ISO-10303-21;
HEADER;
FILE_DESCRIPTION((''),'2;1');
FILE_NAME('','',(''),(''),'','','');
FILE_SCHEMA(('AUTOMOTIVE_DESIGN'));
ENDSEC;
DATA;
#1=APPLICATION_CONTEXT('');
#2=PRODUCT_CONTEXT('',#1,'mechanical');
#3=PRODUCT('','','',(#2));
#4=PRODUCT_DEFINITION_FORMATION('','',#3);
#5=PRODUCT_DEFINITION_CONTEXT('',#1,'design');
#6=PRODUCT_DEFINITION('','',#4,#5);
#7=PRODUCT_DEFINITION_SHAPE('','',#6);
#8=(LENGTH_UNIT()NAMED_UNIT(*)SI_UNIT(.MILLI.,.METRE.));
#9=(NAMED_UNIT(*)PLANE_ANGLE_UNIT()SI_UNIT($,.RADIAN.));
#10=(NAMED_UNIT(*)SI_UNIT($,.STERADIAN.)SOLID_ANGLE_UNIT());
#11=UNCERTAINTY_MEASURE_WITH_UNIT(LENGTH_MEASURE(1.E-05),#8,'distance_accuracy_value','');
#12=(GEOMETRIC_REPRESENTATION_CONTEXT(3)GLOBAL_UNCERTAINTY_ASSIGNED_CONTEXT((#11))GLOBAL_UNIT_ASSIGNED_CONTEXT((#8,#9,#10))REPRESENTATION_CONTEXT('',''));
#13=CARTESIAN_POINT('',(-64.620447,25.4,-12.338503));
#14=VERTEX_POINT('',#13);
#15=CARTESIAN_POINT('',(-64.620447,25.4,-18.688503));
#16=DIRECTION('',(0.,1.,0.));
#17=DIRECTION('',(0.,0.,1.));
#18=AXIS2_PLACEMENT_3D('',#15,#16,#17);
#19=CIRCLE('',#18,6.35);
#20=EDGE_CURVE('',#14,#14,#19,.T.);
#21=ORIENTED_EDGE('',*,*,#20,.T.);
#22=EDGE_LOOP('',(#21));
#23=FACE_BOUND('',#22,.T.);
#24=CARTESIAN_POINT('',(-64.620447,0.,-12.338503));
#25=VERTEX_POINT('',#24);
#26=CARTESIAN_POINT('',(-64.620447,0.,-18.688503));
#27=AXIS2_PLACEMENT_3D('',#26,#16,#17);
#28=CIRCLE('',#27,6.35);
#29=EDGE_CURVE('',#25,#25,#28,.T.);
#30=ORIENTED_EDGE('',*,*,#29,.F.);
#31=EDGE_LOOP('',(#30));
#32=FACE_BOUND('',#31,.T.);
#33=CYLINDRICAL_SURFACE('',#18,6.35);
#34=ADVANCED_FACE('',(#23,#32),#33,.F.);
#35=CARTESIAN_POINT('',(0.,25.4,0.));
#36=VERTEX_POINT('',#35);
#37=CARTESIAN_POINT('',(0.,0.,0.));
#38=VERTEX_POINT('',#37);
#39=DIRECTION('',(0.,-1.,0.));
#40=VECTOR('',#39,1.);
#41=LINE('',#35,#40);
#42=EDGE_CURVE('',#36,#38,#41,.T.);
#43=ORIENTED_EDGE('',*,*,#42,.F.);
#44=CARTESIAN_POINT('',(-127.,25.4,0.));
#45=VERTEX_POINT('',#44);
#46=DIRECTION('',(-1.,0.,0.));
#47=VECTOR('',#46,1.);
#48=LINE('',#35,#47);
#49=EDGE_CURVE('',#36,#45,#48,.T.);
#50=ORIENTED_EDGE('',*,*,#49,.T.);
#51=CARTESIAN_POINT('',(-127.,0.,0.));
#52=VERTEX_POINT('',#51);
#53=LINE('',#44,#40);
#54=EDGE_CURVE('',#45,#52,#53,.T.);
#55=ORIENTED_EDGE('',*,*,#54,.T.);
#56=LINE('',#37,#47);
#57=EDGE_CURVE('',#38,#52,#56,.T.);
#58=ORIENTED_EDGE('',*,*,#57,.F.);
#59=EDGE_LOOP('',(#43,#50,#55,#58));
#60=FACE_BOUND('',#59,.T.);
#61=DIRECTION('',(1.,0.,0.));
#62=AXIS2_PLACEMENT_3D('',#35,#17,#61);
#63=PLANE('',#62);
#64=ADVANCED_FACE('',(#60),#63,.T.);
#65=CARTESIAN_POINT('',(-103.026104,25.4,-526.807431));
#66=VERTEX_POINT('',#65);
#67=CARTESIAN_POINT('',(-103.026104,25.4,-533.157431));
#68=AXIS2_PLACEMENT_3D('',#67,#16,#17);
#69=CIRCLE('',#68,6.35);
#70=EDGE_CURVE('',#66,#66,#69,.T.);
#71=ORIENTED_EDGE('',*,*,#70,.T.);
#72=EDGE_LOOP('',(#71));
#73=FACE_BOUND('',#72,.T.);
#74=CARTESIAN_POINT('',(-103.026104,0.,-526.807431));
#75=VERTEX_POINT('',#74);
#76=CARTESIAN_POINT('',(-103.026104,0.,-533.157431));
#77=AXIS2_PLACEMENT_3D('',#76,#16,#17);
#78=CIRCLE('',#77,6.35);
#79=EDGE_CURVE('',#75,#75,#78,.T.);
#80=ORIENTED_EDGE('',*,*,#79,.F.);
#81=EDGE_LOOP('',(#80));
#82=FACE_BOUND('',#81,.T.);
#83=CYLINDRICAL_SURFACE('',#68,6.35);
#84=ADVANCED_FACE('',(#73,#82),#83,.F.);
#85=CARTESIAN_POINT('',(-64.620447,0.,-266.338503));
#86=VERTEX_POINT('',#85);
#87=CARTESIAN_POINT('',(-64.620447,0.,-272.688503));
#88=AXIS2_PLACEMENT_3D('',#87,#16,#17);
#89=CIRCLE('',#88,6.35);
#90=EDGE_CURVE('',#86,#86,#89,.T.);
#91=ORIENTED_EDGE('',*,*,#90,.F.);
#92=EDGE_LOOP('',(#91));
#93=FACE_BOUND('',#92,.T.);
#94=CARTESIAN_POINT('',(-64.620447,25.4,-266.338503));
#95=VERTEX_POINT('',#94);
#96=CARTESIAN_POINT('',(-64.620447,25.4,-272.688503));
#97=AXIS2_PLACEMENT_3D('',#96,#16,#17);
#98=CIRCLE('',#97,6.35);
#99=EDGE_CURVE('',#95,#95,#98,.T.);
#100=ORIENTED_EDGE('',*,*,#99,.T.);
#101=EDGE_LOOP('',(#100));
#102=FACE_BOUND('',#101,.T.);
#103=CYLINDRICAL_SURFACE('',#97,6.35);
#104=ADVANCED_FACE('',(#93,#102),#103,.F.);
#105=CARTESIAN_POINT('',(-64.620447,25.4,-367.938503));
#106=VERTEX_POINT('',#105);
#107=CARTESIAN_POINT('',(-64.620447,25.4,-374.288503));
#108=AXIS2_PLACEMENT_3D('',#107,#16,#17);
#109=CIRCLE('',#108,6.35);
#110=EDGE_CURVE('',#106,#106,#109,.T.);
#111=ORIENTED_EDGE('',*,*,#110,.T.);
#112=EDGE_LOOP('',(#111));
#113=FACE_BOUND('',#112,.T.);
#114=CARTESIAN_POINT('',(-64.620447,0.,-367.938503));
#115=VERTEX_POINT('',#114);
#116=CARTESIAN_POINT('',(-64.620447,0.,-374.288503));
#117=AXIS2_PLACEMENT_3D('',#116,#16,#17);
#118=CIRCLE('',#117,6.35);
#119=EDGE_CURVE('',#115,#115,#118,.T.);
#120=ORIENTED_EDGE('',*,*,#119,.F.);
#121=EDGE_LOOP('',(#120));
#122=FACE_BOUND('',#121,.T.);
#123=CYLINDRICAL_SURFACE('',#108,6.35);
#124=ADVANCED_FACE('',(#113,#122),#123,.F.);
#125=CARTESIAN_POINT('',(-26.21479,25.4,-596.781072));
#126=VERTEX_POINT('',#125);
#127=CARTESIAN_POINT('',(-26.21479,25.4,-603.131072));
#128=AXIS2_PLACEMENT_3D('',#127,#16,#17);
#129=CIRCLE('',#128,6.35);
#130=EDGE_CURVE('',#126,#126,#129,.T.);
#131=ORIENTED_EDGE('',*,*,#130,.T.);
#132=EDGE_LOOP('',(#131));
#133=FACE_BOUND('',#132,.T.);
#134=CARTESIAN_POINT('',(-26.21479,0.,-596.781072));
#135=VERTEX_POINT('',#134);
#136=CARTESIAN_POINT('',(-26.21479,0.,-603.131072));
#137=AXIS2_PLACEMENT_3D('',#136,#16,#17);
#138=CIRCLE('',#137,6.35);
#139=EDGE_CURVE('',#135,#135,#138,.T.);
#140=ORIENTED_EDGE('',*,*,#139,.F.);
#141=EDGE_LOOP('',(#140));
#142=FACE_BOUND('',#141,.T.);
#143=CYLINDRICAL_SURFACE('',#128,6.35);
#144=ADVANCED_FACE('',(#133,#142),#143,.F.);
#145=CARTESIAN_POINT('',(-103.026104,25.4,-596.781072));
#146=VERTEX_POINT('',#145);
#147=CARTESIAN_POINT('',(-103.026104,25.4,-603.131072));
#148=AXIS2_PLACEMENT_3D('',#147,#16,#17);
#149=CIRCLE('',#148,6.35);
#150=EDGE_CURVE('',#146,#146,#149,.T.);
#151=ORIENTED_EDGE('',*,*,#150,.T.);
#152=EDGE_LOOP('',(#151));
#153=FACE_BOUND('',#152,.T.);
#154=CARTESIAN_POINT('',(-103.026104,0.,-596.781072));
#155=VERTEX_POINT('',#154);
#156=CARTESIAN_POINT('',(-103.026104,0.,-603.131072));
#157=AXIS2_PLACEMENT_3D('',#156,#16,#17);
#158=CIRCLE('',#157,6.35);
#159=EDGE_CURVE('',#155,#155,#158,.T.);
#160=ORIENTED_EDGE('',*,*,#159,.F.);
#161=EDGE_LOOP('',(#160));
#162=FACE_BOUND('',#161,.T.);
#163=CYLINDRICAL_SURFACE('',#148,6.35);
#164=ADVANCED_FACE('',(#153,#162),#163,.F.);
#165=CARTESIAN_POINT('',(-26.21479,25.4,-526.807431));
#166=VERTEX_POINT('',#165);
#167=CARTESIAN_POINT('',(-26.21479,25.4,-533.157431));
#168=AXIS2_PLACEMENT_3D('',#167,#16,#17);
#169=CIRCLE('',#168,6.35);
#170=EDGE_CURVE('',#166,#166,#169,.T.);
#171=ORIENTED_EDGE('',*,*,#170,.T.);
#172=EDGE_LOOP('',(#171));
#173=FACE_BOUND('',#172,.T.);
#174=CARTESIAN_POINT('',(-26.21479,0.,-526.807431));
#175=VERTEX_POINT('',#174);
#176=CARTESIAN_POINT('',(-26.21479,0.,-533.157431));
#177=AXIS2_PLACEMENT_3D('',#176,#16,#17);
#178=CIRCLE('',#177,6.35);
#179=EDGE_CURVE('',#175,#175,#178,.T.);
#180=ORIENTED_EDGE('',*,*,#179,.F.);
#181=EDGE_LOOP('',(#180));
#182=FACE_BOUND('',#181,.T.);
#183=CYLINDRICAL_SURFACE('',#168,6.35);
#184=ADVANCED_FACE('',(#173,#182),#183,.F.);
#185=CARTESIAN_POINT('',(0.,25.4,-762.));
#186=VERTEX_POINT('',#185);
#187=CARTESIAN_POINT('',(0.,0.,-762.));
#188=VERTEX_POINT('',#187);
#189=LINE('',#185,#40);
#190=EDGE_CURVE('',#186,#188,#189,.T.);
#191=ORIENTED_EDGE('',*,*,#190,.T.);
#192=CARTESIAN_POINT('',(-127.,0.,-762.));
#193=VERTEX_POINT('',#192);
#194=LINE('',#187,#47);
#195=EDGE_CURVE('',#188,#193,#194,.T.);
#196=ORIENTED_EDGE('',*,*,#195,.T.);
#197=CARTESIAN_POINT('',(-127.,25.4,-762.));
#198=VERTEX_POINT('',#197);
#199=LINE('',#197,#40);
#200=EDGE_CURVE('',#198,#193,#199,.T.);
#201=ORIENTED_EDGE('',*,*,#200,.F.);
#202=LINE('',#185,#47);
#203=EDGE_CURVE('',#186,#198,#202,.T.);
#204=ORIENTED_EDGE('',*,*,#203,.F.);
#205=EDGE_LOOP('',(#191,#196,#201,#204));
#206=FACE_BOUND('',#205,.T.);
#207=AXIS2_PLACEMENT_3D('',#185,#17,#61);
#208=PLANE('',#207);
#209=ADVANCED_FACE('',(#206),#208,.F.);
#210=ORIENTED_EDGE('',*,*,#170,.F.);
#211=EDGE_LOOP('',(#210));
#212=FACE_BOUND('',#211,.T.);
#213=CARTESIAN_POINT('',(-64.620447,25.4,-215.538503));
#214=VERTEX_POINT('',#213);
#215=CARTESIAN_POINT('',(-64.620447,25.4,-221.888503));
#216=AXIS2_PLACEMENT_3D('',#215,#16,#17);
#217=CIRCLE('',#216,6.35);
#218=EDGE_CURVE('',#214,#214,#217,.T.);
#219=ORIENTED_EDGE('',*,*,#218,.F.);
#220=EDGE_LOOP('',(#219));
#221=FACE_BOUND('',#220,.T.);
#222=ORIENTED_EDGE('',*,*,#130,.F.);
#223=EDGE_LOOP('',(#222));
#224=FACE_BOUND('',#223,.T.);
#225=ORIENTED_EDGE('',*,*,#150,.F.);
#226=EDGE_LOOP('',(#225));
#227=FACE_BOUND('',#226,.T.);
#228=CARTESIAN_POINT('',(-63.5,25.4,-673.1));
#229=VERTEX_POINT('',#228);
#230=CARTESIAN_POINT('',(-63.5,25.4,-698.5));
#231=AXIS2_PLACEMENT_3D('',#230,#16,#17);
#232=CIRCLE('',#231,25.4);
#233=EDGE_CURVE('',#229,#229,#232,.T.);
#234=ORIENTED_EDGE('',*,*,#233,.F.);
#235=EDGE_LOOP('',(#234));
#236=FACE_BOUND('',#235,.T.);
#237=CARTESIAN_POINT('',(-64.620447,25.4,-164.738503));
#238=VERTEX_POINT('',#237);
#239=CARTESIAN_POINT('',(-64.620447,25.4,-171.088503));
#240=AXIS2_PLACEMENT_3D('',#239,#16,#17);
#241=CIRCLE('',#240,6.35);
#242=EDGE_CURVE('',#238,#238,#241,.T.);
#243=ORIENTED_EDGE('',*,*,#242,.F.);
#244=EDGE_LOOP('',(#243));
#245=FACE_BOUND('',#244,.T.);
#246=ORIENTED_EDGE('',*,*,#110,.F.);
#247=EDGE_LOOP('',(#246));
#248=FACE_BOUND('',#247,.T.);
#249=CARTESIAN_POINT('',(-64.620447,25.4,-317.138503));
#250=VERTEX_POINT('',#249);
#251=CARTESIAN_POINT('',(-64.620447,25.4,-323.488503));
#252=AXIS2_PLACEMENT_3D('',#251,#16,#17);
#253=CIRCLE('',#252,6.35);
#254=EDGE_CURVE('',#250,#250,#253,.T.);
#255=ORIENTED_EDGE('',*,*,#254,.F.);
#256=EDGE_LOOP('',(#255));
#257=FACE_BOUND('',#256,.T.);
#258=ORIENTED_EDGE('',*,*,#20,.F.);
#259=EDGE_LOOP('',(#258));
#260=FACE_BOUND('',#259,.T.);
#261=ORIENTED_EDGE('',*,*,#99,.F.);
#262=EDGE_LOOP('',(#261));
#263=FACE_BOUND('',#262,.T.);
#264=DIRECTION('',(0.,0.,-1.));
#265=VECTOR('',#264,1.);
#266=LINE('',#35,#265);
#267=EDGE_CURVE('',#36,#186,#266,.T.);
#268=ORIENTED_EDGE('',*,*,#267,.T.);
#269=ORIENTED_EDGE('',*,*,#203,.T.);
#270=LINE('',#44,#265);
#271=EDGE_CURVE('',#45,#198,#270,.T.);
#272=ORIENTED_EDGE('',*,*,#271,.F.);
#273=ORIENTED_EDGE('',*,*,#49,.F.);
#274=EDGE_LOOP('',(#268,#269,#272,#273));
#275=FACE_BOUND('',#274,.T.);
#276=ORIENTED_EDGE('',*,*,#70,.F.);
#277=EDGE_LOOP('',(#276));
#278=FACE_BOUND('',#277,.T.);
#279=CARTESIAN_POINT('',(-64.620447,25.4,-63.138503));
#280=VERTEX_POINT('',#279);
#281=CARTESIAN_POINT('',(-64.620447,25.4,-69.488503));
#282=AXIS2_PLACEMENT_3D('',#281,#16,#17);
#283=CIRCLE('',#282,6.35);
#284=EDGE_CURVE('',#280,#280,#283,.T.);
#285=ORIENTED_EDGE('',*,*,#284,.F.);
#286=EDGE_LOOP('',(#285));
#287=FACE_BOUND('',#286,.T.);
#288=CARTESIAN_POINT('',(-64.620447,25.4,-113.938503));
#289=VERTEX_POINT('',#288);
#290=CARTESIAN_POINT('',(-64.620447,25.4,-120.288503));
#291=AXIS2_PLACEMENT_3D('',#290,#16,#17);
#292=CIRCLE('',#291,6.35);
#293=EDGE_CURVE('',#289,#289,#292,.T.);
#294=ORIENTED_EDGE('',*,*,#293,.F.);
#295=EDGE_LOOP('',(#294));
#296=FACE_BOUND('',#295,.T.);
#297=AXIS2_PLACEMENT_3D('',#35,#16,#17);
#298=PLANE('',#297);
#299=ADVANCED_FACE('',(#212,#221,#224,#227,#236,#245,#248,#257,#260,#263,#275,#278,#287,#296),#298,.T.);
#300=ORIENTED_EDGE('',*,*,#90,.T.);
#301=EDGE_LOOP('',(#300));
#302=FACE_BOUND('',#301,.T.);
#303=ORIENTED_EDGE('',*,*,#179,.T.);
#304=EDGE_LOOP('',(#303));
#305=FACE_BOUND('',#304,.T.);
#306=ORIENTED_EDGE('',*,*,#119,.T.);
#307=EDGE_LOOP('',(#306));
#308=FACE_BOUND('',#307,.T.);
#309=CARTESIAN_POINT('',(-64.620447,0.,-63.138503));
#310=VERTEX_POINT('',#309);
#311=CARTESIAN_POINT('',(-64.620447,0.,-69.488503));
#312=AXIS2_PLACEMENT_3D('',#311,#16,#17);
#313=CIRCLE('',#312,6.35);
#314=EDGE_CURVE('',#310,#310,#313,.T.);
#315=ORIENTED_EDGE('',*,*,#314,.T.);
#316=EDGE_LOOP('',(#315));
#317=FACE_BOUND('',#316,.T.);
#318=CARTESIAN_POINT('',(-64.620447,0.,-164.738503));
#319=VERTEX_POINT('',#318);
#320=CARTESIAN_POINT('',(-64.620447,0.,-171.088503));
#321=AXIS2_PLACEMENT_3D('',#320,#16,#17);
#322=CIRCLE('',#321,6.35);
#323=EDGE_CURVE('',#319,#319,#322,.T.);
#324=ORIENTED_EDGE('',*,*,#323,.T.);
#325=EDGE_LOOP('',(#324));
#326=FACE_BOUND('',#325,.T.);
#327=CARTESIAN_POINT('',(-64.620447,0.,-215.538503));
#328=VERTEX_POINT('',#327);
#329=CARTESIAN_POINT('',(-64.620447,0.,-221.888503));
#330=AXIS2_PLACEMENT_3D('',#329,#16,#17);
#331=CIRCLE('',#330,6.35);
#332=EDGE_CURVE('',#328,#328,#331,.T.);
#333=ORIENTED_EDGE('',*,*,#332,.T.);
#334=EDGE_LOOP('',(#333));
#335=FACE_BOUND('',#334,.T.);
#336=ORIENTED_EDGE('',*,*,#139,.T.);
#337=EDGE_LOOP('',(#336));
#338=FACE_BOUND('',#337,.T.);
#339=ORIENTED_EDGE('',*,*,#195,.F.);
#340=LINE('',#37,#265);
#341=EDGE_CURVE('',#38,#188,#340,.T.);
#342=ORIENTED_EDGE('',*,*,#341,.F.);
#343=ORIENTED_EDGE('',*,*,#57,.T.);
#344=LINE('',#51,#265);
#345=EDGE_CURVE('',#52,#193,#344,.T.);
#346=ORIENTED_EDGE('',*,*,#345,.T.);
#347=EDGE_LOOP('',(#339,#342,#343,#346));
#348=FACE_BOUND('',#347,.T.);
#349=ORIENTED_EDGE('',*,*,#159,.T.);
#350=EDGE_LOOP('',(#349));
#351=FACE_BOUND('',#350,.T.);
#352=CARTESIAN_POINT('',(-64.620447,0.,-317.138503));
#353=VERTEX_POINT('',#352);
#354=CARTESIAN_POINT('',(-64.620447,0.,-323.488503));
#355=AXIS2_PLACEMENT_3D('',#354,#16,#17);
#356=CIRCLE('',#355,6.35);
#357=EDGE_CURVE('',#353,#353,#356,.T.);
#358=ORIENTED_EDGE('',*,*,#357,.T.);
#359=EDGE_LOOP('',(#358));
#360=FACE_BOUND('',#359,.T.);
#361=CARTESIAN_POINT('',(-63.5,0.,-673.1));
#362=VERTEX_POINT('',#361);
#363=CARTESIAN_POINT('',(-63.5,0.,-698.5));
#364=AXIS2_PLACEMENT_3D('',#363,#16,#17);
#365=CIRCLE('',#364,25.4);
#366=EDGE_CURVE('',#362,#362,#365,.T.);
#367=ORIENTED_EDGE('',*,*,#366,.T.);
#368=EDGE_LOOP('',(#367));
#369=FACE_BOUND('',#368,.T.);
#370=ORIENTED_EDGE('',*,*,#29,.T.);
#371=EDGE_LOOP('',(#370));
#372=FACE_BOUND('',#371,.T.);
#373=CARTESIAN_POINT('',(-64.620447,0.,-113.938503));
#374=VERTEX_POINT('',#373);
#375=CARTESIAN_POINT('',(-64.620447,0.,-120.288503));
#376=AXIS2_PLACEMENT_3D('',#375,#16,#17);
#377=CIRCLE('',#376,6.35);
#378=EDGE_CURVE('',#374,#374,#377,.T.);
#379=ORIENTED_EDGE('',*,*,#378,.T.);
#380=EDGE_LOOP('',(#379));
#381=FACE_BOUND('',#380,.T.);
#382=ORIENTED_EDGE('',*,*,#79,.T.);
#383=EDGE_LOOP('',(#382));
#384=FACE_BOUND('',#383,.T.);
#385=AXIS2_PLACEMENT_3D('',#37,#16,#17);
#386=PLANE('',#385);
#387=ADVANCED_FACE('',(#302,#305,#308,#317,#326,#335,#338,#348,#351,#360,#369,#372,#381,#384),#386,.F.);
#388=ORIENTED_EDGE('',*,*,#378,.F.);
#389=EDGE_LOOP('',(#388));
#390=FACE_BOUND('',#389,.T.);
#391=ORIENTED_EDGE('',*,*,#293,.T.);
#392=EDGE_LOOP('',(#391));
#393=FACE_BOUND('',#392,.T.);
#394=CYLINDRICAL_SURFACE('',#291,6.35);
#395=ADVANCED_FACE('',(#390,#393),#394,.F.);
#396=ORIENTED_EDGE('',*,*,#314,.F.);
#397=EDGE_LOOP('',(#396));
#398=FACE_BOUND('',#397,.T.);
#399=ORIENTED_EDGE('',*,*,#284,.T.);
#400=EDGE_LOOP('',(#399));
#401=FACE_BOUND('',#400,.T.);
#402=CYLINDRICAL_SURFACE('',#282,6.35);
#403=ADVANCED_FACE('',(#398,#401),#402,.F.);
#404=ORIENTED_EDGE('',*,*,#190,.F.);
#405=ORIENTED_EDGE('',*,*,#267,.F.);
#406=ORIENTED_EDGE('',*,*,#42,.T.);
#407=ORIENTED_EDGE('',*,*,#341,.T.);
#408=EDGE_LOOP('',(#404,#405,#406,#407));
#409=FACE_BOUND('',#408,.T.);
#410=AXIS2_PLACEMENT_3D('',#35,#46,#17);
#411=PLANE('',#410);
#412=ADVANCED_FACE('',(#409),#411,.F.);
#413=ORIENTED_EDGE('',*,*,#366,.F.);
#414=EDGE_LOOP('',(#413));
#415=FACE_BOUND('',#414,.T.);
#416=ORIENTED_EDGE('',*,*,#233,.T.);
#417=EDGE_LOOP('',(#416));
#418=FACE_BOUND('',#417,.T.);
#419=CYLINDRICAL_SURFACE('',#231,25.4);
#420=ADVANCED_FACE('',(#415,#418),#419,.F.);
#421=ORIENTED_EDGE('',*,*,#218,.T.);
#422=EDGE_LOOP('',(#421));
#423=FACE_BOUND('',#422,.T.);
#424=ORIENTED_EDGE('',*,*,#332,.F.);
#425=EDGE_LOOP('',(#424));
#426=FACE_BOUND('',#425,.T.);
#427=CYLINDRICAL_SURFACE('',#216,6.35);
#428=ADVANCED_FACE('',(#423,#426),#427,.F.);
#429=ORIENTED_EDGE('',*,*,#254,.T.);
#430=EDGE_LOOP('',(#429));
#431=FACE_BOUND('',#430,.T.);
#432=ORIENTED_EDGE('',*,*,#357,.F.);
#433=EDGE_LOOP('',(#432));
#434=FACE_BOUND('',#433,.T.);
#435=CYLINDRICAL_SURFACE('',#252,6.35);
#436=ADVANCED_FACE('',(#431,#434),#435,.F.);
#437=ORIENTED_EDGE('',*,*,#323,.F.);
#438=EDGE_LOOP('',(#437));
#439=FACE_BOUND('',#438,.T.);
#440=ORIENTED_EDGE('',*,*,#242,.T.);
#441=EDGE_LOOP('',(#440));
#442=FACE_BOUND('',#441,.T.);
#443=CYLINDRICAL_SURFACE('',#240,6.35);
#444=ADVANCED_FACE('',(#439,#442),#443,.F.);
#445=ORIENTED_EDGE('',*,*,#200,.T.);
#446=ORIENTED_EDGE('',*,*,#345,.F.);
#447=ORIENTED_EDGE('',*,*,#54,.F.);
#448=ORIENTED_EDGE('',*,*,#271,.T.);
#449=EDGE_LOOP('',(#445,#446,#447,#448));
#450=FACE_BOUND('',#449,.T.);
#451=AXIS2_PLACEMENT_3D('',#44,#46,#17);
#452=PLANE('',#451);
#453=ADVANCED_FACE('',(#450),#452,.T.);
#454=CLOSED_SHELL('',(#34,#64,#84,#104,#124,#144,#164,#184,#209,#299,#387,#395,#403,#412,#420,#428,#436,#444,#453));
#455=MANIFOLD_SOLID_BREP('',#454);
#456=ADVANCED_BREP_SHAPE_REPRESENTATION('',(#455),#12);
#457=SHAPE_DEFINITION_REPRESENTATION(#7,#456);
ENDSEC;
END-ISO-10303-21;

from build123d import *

# Parameters (mm, degrees)
SKETCH1_W                  = 127
SKETCH1_H                  = 762
BOSS_EXTRUDE1_DEPTH        = 25.4
F_1_2_0_5_DIAMETER_HOLE1_D = 50.8
F_1_2_0_5_DIAMETER_HOLE2_D = 12.7


with BuildPart() as part:
    # Sketch1 → Boss-Extrude1 (new body)
    with BuildSketch(Plane(origin=(0, 0, 0), x_dir=(1, 0, 0), z_dir=(0, 1, 0))):
        with Locations((-63.5, 381)):
            Rectangle(SKETCH1_W, SKETCH1_H)
    extrude(amount=BOSS_EXTRUDE1_DEPTH)

    # 1/2 (0.5) Diameter Hole1 (through all)
    with Locations(Plane(origin=(-63.5, 25.4, -698.5), x_dir=(0, 0, 1), z_dir=(0, 1, 0))):
        with Locations((0, 0)):
            Hole(F_1_2_0_5_DIAMETER_HOLE1_D / 2)

    # 1/2 (0.5) Diameter Hole2 (through all)
    with Locations(Plane(origin=(0, 25.4, 0), x_dir=(1, 0, 0), z_dir=(0, 1, 0))):
        with Locations((-103.026104377, 603.131071739), (-64.620447093, 374.288503187), (-26.214789808, 603.131071739), (-26.214789808, 533.157431448), (-103.026104377, 533.157431448), (-64.620447093, 323.488503187), (-64.620447093, 272.688503187), (-64.620447093, 221.888503187), (-64.620447093, 171.088503187), (-64.620447093, 120.288503187), (-64.620447093, 69.488503187), (-64.620447093, 18.688503187), (-64.620447093, -32.111496813)):
            Hole(F_1_2_0_5_DIAMETER_HOLE2_D / 2)


solid = part.part
